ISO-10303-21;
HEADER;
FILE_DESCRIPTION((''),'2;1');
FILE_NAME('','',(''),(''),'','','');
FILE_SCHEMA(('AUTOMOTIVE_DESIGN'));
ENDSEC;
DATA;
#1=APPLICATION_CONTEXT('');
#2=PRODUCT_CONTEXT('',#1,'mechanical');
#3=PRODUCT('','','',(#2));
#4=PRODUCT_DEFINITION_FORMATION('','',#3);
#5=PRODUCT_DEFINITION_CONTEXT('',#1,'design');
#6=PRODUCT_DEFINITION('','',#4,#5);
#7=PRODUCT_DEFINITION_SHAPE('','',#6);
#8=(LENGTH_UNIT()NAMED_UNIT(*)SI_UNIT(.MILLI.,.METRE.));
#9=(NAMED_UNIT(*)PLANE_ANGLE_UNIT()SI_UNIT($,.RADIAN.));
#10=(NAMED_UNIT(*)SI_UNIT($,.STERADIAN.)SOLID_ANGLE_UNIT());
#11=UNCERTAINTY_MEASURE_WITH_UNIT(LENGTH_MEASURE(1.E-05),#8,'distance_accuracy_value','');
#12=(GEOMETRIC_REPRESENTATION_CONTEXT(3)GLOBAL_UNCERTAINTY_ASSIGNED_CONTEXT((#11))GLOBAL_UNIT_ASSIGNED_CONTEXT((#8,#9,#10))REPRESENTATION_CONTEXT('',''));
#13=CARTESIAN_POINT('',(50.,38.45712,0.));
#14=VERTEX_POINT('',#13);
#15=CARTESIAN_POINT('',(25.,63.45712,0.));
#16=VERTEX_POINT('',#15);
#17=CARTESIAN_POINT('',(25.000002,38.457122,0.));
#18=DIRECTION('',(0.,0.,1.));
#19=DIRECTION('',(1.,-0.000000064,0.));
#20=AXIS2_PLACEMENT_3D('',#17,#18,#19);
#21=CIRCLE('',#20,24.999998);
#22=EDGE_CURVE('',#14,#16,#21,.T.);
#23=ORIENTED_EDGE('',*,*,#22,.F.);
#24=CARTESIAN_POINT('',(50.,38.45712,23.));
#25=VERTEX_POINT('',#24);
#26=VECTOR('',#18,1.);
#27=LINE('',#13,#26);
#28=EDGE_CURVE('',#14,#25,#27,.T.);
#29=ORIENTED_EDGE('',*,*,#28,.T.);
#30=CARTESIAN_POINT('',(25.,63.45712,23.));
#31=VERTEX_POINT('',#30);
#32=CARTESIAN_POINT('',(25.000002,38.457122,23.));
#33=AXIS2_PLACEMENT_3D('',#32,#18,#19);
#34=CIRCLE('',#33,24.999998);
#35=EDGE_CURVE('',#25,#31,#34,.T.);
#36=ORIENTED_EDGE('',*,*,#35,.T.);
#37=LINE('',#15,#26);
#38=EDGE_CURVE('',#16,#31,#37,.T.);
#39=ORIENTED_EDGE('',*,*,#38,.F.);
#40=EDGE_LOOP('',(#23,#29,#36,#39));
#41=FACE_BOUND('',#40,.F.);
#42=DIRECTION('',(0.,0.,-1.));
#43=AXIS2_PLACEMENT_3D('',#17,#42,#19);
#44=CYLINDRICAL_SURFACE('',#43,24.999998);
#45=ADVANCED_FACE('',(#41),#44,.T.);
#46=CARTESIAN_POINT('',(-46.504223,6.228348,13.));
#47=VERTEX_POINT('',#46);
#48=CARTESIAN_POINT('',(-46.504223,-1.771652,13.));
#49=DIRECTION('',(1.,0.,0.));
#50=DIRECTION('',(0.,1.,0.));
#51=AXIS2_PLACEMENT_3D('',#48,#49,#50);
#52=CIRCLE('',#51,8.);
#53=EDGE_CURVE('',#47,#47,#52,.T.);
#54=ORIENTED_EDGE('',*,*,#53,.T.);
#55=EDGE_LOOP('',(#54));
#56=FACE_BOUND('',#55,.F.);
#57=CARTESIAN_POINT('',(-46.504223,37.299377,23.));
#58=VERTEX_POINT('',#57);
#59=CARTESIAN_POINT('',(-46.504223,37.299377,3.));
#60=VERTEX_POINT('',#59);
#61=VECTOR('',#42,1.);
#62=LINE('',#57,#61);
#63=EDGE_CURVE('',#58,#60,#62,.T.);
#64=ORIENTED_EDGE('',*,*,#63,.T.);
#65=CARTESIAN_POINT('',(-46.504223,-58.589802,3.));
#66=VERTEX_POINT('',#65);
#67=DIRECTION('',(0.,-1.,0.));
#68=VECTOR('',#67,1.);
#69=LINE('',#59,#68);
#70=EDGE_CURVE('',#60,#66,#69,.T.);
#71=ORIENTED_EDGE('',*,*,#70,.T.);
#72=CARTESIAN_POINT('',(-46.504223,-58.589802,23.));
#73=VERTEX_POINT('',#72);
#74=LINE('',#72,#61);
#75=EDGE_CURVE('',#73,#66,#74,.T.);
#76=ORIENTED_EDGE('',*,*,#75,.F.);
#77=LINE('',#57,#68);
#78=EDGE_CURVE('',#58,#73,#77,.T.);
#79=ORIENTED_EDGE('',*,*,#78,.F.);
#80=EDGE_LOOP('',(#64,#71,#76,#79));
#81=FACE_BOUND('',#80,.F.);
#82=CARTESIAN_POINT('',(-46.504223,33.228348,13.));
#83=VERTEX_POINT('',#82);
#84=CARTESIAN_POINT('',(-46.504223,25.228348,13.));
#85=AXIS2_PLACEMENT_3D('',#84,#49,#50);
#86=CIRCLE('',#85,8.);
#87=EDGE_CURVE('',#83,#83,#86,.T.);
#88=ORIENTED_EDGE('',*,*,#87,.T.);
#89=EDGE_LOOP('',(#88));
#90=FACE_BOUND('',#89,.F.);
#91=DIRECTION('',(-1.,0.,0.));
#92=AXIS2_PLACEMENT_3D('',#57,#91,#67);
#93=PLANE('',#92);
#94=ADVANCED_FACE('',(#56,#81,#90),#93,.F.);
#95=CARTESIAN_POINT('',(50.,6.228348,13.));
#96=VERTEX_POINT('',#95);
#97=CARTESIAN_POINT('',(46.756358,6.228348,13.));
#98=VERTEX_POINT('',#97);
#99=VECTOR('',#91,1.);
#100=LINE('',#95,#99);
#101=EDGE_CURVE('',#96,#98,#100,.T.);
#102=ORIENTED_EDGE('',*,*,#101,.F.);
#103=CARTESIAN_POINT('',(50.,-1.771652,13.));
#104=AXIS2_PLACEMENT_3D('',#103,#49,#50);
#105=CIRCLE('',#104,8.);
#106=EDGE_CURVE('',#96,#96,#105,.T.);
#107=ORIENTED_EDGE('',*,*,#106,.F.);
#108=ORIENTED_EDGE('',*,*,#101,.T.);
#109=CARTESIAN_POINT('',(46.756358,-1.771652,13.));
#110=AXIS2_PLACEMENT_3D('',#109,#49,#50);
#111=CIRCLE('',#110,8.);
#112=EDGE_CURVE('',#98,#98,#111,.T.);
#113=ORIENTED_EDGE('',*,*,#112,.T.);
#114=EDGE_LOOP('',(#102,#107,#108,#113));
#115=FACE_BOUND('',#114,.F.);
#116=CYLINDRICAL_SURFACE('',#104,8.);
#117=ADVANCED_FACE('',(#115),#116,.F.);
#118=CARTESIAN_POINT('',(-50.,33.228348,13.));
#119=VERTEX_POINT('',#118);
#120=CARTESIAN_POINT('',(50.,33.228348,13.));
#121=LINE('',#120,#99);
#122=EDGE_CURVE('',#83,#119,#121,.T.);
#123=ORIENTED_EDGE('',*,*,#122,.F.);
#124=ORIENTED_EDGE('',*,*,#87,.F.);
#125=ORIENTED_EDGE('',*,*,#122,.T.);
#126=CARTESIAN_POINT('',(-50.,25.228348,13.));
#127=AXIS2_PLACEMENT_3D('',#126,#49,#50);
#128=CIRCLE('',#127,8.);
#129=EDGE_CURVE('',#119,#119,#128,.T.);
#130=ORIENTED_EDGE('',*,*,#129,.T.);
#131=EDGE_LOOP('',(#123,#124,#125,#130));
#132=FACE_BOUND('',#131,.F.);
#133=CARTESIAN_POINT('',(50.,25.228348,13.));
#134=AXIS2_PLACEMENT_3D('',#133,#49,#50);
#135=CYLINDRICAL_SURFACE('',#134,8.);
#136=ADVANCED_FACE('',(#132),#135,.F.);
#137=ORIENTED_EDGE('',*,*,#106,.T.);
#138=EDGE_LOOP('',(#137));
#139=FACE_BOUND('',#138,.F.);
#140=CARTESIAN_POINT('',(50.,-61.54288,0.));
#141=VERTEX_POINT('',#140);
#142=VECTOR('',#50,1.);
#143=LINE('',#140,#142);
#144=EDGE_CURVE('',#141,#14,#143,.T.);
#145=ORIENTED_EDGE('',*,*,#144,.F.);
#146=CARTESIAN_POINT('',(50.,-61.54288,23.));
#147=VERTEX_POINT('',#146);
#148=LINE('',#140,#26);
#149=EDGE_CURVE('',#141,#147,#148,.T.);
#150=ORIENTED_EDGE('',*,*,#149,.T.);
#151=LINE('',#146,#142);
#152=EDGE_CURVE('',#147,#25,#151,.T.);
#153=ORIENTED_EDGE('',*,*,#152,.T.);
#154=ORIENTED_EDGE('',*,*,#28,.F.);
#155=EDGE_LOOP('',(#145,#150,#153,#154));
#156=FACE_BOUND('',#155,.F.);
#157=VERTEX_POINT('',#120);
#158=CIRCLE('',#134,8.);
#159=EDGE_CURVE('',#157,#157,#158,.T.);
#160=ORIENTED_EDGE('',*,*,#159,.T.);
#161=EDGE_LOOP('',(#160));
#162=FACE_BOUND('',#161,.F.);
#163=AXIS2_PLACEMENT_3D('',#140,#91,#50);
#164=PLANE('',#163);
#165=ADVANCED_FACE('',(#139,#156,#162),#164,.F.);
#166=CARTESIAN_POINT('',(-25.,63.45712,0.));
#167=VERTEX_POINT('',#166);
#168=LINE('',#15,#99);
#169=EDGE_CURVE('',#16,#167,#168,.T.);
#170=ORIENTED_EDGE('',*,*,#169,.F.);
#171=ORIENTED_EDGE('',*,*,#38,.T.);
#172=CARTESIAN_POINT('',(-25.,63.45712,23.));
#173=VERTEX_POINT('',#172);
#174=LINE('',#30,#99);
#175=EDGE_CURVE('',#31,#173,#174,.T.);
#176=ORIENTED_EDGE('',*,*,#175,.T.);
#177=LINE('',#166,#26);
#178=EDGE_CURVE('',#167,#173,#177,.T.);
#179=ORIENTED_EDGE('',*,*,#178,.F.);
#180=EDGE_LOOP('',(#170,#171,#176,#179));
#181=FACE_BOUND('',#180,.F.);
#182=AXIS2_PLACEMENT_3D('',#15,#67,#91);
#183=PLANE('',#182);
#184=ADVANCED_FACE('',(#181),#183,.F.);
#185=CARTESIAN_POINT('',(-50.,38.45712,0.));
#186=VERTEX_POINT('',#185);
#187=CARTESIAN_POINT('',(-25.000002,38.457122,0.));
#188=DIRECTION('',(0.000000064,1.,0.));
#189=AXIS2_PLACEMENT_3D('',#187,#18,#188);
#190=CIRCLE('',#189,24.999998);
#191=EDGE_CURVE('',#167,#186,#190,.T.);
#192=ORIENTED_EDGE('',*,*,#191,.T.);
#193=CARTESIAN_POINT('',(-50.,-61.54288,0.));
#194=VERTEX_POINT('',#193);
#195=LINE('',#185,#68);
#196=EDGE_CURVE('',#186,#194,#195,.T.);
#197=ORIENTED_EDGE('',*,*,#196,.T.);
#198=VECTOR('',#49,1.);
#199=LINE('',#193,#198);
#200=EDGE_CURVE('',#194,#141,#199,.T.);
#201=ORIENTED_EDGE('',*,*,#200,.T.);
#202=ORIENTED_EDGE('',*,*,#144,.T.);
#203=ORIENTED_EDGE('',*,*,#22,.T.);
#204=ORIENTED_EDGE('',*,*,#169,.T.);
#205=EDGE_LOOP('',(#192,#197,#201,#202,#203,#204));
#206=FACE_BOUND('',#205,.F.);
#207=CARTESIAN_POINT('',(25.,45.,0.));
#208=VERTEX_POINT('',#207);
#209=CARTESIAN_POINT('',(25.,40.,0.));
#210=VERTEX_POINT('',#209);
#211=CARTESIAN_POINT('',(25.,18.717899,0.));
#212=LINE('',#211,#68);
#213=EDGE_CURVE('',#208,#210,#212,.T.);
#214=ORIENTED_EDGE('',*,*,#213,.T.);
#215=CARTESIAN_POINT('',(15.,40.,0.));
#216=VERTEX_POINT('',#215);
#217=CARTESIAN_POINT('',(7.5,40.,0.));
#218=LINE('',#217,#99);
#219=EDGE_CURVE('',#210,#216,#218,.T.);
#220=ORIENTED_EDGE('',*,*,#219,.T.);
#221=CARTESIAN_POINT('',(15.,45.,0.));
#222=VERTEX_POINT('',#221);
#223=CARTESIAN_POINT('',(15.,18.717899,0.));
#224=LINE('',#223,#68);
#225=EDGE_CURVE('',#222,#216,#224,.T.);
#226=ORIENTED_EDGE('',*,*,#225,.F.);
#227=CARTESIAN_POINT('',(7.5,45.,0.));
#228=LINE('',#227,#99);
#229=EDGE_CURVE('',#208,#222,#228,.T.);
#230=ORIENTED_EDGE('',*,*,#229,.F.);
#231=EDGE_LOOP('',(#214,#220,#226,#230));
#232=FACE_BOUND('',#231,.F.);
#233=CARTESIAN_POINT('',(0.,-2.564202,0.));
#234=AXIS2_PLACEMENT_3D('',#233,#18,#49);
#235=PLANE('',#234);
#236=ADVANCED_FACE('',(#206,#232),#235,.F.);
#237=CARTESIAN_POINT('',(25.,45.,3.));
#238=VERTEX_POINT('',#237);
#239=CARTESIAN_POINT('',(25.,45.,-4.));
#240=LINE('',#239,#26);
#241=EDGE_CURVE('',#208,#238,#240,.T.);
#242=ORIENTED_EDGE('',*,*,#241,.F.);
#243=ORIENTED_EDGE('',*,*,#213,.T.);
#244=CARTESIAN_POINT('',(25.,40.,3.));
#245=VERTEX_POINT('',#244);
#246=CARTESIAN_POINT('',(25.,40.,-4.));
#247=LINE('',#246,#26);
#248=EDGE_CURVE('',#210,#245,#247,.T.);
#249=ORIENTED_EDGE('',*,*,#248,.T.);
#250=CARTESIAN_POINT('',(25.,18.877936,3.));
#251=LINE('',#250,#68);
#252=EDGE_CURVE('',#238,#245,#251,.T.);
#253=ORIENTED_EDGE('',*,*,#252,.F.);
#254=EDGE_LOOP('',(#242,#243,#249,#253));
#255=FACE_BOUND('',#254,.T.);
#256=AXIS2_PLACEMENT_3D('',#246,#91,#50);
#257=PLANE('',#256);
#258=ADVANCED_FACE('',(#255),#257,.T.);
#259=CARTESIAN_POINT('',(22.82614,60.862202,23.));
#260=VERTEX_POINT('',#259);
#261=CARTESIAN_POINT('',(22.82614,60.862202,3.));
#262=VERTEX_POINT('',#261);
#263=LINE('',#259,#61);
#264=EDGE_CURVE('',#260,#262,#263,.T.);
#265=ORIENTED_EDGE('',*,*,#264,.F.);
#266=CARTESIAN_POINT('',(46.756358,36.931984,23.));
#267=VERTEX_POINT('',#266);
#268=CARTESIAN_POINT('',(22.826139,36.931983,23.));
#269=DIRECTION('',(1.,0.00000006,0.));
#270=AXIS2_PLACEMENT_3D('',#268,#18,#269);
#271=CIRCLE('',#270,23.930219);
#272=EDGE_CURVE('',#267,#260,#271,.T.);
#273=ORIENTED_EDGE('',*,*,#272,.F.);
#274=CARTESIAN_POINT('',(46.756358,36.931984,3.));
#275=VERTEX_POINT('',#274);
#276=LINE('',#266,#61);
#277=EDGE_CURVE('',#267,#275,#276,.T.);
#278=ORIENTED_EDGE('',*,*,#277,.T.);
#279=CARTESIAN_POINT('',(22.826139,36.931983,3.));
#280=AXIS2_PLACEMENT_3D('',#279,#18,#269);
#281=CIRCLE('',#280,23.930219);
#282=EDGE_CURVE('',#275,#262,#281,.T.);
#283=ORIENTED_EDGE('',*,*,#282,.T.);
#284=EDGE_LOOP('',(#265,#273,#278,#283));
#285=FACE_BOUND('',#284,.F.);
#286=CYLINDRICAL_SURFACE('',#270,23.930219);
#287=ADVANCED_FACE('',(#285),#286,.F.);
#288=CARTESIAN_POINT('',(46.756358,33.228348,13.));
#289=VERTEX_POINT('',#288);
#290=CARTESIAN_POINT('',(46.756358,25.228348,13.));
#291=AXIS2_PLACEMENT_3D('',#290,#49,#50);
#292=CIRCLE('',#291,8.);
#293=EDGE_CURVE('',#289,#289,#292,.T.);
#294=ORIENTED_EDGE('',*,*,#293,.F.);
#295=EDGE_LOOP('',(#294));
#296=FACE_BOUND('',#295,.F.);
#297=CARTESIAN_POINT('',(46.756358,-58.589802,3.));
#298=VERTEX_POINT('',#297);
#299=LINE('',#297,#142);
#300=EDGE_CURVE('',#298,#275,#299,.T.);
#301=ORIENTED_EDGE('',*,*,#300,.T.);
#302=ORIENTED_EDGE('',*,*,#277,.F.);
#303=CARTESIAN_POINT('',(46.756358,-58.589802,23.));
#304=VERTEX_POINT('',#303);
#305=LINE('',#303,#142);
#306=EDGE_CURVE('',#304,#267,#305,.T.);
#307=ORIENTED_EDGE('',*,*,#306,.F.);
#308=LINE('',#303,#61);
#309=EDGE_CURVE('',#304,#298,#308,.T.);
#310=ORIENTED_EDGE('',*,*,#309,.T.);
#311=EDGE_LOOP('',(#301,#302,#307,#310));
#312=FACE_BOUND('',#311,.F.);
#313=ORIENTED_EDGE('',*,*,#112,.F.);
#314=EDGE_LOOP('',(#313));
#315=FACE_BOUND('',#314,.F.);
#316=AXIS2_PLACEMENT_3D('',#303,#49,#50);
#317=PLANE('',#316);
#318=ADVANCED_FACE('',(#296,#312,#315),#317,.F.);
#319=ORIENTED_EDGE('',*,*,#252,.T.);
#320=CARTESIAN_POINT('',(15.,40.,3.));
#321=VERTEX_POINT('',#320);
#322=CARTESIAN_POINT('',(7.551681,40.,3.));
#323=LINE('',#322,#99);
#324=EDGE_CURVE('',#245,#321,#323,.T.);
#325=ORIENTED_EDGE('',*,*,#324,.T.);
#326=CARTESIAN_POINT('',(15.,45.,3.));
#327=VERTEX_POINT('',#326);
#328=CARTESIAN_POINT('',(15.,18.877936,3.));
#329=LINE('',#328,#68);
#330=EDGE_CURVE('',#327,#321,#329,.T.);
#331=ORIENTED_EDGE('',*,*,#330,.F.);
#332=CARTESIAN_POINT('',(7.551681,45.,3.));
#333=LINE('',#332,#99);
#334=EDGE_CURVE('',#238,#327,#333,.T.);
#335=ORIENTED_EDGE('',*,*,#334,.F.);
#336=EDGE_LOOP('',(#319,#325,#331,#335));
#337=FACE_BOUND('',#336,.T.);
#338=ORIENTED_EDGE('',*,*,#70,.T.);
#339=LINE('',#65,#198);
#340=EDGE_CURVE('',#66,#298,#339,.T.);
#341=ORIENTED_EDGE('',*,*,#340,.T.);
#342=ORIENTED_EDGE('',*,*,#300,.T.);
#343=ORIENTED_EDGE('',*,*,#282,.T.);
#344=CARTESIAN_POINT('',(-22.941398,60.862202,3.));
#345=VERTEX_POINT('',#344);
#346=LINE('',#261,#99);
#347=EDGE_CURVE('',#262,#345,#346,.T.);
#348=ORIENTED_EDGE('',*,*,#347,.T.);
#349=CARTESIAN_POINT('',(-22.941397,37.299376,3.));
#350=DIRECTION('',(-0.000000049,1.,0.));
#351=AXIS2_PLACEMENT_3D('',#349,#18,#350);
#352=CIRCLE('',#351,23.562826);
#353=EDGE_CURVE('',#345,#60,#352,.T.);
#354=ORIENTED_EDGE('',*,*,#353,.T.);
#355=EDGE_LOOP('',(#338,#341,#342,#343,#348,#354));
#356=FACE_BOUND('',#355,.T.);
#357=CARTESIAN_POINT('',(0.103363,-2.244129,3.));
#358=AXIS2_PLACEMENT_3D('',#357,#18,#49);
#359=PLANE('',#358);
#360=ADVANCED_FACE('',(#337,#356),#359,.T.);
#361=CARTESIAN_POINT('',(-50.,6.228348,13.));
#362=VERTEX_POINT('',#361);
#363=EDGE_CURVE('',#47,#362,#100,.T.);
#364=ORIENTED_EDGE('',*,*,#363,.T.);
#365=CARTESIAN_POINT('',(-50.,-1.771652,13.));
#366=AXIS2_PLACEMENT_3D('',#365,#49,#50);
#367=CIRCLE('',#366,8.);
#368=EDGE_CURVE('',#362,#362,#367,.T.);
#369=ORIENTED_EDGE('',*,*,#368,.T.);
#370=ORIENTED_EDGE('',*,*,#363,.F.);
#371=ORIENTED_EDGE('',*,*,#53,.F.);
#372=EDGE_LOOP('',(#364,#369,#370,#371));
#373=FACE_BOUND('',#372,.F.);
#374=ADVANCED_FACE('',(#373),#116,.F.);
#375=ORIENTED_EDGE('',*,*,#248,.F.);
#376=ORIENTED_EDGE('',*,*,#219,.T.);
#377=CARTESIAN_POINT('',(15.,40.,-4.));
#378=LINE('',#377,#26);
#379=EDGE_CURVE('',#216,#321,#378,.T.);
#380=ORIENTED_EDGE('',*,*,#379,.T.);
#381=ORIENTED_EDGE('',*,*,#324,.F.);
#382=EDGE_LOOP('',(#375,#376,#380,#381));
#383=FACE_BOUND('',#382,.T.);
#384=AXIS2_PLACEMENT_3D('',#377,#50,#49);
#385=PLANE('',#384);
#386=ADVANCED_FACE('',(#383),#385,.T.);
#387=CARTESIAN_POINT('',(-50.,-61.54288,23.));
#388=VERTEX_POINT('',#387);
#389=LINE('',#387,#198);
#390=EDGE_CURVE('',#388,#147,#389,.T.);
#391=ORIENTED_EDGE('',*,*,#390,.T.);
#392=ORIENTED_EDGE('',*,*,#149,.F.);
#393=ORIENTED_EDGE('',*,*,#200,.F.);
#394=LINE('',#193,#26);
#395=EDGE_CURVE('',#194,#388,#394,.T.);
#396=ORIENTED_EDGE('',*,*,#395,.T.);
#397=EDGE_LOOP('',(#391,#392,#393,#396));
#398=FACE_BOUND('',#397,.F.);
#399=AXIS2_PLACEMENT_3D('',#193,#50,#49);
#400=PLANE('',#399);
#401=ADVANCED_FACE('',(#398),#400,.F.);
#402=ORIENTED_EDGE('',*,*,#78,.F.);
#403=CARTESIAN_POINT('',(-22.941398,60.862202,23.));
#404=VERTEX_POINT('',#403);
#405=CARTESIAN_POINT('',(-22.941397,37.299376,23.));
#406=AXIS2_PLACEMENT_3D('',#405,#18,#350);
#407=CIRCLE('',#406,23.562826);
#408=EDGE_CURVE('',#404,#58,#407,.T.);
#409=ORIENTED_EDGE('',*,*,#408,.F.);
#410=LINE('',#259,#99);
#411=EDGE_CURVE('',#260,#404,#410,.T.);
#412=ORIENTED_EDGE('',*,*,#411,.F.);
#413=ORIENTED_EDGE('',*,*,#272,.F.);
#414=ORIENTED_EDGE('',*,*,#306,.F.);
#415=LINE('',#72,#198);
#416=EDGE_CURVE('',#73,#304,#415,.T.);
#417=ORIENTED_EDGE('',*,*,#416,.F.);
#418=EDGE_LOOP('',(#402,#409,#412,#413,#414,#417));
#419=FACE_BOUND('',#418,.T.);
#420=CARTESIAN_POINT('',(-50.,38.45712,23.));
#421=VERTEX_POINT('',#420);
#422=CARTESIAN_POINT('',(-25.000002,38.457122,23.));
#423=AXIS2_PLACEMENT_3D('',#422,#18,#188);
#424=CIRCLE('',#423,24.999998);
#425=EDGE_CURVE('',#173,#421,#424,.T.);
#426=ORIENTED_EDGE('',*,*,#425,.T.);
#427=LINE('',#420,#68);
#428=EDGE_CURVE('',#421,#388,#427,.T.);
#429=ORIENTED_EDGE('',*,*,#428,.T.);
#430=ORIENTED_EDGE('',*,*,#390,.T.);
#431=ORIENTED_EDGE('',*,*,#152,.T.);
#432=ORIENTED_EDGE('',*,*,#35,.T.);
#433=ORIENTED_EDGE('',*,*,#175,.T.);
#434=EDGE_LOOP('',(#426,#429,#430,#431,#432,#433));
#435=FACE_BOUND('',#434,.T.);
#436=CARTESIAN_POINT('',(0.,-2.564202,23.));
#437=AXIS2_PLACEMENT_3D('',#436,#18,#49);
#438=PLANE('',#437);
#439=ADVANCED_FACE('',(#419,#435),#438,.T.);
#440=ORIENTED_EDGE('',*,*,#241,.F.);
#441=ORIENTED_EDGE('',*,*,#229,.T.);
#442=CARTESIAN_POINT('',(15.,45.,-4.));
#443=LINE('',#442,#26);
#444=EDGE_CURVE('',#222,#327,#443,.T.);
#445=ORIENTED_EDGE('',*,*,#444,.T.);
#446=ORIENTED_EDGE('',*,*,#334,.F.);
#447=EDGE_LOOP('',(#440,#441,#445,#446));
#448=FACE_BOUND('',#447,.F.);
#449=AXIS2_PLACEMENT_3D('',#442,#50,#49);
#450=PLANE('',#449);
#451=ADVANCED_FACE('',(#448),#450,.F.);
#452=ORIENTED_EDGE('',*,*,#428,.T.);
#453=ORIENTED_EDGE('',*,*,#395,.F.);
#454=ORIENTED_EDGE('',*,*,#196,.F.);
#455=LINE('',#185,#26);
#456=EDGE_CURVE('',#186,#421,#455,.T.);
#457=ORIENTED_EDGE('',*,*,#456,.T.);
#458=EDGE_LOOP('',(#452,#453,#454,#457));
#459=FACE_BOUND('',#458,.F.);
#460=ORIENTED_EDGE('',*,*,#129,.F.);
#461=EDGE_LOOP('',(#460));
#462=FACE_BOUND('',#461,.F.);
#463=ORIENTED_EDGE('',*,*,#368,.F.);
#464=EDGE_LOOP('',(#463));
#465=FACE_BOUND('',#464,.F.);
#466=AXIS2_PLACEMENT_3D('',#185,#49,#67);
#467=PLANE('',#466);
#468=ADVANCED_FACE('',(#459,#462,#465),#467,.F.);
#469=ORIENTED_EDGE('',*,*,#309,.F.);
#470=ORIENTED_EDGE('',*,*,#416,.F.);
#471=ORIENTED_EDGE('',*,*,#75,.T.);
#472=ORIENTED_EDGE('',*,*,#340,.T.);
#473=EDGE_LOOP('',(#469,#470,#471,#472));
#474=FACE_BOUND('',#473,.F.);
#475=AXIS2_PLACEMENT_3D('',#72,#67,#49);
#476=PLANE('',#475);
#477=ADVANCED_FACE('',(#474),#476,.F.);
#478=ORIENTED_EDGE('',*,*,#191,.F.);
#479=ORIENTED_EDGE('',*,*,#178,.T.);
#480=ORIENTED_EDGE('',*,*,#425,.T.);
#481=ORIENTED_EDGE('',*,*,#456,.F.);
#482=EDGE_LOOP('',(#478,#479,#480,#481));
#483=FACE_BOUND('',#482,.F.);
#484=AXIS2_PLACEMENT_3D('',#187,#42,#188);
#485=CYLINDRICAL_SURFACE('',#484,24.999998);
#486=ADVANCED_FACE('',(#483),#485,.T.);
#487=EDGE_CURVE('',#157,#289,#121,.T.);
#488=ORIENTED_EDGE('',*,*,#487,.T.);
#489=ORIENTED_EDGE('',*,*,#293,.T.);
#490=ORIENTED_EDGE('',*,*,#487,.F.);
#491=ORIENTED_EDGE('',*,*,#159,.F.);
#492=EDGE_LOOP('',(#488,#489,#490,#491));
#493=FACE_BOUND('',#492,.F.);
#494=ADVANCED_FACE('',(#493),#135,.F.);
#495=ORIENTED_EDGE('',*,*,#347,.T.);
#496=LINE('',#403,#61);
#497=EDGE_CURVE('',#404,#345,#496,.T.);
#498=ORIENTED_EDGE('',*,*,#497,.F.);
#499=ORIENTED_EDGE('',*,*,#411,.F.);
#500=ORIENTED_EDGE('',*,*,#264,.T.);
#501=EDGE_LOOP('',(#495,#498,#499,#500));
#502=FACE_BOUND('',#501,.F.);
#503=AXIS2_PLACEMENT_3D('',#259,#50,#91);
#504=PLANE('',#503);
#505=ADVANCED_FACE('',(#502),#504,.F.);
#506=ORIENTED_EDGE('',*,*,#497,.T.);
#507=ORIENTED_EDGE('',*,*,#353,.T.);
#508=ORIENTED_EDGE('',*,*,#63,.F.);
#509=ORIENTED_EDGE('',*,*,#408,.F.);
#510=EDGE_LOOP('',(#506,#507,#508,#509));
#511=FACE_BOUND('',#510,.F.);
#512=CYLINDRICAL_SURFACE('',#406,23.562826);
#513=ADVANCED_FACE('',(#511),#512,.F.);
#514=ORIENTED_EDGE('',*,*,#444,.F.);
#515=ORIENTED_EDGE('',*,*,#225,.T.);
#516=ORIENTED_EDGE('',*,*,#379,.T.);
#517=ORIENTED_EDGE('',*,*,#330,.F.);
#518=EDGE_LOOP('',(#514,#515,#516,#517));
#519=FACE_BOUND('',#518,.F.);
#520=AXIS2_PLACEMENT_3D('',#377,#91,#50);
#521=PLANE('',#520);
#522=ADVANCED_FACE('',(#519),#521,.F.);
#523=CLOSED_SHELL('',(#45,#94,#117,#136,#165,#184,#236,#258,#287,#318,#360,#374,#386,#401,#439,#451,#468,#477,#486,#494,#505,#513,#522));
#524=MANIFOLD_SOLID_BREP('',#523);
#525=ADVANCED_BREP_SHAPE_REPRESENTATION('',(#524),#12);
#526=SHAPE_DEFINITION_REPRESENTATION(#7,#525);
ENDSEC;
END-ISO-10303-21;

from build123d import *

# Parameters (mm, degrees)
BOX007_W        = 10
BOX007_H        = 5
BOX007_DEPTH    = 10
PAD_DEPTH       = 23
POCKET_DEPTH    = 20
SKETCH002_R     = 8
POCKET001_DEPTH = 100.001


with BuildPart() as cube007:
    # Box007 → Box007 (new body)
    with BuildSketch(Plane(origin=(15, 40, -4), x_dir=(1, 0, 0), z_dir=(0, 0, 1))):
        with Locations((5, 2.5)):
            Rectangle(BOX007_W, BOX007_H)
    extrude(amount=BOX007_DEPTH)


with BuildPart() as cut011:
    # Sketch → Pad (new body)
    with BuildSketch(Plane.XY):
        with BuildLine():
            Line((-50, 38.45712), (-50, -61.54288))
            Line((-50, -61.54288), (50, -61.54288))
            Line((50, -61.54288), (50, 38.45712))
            ThreePointArc((50, 38.45712), (42.67767, 56.13479), (25, 63.45712))
            Line((25, 63.45712), (-25, 63.45712))
            ThreePointArc((-25, 63.45712), (-42.67767, 56.13479), (-50, 38.45712))
        make_face()
    extrude(amount=PAD_DEPTH)

    # Sketch001 → Pocket (cut)
    with BuildSketch(Plane.XY.offset(23)):
        with BuildLine():
            Line((-46.504223, 37.299377), (-46.504223, -58.589802))
            Line((-46.504223, -58.589802), (46.756358, -58.589802))
            Line((46.756358, -58.589802), (46.756358, 36.931984))
            ThreePointArc((46.756358, 36.931984), (39.747359, 53.853203), (22.82614, 60.862202))
            Line((22.82614, 60.862202), (-22.941398, 60.862202))
            ThreePointArc((-22.941398, 60.862202), (-39.602831, 53.96081), (-46.504223, 37.299377))
        make_face()
    extrude(amount=-POCKET_DEPTH, mode=Mode.SUBTRACT)

    # Sketch002 → Pocket001 (cut, through all)
    with BuildSketch(Plane.YZ.offset(50)):
        with Locations((-1.771652, 13)):
            Circle(SKETCH002_R)
        with Locations((25.228348, 13)):
            Circle(SKETCH002_R)
    extrude(amount=-POCKET001_DEPTH, mode=Mode.SUBTRACT)

    # Cut011: cut Cube007
    add(cube007.part, mode=Mode.SUBTRACT)


solid = cut011.part
